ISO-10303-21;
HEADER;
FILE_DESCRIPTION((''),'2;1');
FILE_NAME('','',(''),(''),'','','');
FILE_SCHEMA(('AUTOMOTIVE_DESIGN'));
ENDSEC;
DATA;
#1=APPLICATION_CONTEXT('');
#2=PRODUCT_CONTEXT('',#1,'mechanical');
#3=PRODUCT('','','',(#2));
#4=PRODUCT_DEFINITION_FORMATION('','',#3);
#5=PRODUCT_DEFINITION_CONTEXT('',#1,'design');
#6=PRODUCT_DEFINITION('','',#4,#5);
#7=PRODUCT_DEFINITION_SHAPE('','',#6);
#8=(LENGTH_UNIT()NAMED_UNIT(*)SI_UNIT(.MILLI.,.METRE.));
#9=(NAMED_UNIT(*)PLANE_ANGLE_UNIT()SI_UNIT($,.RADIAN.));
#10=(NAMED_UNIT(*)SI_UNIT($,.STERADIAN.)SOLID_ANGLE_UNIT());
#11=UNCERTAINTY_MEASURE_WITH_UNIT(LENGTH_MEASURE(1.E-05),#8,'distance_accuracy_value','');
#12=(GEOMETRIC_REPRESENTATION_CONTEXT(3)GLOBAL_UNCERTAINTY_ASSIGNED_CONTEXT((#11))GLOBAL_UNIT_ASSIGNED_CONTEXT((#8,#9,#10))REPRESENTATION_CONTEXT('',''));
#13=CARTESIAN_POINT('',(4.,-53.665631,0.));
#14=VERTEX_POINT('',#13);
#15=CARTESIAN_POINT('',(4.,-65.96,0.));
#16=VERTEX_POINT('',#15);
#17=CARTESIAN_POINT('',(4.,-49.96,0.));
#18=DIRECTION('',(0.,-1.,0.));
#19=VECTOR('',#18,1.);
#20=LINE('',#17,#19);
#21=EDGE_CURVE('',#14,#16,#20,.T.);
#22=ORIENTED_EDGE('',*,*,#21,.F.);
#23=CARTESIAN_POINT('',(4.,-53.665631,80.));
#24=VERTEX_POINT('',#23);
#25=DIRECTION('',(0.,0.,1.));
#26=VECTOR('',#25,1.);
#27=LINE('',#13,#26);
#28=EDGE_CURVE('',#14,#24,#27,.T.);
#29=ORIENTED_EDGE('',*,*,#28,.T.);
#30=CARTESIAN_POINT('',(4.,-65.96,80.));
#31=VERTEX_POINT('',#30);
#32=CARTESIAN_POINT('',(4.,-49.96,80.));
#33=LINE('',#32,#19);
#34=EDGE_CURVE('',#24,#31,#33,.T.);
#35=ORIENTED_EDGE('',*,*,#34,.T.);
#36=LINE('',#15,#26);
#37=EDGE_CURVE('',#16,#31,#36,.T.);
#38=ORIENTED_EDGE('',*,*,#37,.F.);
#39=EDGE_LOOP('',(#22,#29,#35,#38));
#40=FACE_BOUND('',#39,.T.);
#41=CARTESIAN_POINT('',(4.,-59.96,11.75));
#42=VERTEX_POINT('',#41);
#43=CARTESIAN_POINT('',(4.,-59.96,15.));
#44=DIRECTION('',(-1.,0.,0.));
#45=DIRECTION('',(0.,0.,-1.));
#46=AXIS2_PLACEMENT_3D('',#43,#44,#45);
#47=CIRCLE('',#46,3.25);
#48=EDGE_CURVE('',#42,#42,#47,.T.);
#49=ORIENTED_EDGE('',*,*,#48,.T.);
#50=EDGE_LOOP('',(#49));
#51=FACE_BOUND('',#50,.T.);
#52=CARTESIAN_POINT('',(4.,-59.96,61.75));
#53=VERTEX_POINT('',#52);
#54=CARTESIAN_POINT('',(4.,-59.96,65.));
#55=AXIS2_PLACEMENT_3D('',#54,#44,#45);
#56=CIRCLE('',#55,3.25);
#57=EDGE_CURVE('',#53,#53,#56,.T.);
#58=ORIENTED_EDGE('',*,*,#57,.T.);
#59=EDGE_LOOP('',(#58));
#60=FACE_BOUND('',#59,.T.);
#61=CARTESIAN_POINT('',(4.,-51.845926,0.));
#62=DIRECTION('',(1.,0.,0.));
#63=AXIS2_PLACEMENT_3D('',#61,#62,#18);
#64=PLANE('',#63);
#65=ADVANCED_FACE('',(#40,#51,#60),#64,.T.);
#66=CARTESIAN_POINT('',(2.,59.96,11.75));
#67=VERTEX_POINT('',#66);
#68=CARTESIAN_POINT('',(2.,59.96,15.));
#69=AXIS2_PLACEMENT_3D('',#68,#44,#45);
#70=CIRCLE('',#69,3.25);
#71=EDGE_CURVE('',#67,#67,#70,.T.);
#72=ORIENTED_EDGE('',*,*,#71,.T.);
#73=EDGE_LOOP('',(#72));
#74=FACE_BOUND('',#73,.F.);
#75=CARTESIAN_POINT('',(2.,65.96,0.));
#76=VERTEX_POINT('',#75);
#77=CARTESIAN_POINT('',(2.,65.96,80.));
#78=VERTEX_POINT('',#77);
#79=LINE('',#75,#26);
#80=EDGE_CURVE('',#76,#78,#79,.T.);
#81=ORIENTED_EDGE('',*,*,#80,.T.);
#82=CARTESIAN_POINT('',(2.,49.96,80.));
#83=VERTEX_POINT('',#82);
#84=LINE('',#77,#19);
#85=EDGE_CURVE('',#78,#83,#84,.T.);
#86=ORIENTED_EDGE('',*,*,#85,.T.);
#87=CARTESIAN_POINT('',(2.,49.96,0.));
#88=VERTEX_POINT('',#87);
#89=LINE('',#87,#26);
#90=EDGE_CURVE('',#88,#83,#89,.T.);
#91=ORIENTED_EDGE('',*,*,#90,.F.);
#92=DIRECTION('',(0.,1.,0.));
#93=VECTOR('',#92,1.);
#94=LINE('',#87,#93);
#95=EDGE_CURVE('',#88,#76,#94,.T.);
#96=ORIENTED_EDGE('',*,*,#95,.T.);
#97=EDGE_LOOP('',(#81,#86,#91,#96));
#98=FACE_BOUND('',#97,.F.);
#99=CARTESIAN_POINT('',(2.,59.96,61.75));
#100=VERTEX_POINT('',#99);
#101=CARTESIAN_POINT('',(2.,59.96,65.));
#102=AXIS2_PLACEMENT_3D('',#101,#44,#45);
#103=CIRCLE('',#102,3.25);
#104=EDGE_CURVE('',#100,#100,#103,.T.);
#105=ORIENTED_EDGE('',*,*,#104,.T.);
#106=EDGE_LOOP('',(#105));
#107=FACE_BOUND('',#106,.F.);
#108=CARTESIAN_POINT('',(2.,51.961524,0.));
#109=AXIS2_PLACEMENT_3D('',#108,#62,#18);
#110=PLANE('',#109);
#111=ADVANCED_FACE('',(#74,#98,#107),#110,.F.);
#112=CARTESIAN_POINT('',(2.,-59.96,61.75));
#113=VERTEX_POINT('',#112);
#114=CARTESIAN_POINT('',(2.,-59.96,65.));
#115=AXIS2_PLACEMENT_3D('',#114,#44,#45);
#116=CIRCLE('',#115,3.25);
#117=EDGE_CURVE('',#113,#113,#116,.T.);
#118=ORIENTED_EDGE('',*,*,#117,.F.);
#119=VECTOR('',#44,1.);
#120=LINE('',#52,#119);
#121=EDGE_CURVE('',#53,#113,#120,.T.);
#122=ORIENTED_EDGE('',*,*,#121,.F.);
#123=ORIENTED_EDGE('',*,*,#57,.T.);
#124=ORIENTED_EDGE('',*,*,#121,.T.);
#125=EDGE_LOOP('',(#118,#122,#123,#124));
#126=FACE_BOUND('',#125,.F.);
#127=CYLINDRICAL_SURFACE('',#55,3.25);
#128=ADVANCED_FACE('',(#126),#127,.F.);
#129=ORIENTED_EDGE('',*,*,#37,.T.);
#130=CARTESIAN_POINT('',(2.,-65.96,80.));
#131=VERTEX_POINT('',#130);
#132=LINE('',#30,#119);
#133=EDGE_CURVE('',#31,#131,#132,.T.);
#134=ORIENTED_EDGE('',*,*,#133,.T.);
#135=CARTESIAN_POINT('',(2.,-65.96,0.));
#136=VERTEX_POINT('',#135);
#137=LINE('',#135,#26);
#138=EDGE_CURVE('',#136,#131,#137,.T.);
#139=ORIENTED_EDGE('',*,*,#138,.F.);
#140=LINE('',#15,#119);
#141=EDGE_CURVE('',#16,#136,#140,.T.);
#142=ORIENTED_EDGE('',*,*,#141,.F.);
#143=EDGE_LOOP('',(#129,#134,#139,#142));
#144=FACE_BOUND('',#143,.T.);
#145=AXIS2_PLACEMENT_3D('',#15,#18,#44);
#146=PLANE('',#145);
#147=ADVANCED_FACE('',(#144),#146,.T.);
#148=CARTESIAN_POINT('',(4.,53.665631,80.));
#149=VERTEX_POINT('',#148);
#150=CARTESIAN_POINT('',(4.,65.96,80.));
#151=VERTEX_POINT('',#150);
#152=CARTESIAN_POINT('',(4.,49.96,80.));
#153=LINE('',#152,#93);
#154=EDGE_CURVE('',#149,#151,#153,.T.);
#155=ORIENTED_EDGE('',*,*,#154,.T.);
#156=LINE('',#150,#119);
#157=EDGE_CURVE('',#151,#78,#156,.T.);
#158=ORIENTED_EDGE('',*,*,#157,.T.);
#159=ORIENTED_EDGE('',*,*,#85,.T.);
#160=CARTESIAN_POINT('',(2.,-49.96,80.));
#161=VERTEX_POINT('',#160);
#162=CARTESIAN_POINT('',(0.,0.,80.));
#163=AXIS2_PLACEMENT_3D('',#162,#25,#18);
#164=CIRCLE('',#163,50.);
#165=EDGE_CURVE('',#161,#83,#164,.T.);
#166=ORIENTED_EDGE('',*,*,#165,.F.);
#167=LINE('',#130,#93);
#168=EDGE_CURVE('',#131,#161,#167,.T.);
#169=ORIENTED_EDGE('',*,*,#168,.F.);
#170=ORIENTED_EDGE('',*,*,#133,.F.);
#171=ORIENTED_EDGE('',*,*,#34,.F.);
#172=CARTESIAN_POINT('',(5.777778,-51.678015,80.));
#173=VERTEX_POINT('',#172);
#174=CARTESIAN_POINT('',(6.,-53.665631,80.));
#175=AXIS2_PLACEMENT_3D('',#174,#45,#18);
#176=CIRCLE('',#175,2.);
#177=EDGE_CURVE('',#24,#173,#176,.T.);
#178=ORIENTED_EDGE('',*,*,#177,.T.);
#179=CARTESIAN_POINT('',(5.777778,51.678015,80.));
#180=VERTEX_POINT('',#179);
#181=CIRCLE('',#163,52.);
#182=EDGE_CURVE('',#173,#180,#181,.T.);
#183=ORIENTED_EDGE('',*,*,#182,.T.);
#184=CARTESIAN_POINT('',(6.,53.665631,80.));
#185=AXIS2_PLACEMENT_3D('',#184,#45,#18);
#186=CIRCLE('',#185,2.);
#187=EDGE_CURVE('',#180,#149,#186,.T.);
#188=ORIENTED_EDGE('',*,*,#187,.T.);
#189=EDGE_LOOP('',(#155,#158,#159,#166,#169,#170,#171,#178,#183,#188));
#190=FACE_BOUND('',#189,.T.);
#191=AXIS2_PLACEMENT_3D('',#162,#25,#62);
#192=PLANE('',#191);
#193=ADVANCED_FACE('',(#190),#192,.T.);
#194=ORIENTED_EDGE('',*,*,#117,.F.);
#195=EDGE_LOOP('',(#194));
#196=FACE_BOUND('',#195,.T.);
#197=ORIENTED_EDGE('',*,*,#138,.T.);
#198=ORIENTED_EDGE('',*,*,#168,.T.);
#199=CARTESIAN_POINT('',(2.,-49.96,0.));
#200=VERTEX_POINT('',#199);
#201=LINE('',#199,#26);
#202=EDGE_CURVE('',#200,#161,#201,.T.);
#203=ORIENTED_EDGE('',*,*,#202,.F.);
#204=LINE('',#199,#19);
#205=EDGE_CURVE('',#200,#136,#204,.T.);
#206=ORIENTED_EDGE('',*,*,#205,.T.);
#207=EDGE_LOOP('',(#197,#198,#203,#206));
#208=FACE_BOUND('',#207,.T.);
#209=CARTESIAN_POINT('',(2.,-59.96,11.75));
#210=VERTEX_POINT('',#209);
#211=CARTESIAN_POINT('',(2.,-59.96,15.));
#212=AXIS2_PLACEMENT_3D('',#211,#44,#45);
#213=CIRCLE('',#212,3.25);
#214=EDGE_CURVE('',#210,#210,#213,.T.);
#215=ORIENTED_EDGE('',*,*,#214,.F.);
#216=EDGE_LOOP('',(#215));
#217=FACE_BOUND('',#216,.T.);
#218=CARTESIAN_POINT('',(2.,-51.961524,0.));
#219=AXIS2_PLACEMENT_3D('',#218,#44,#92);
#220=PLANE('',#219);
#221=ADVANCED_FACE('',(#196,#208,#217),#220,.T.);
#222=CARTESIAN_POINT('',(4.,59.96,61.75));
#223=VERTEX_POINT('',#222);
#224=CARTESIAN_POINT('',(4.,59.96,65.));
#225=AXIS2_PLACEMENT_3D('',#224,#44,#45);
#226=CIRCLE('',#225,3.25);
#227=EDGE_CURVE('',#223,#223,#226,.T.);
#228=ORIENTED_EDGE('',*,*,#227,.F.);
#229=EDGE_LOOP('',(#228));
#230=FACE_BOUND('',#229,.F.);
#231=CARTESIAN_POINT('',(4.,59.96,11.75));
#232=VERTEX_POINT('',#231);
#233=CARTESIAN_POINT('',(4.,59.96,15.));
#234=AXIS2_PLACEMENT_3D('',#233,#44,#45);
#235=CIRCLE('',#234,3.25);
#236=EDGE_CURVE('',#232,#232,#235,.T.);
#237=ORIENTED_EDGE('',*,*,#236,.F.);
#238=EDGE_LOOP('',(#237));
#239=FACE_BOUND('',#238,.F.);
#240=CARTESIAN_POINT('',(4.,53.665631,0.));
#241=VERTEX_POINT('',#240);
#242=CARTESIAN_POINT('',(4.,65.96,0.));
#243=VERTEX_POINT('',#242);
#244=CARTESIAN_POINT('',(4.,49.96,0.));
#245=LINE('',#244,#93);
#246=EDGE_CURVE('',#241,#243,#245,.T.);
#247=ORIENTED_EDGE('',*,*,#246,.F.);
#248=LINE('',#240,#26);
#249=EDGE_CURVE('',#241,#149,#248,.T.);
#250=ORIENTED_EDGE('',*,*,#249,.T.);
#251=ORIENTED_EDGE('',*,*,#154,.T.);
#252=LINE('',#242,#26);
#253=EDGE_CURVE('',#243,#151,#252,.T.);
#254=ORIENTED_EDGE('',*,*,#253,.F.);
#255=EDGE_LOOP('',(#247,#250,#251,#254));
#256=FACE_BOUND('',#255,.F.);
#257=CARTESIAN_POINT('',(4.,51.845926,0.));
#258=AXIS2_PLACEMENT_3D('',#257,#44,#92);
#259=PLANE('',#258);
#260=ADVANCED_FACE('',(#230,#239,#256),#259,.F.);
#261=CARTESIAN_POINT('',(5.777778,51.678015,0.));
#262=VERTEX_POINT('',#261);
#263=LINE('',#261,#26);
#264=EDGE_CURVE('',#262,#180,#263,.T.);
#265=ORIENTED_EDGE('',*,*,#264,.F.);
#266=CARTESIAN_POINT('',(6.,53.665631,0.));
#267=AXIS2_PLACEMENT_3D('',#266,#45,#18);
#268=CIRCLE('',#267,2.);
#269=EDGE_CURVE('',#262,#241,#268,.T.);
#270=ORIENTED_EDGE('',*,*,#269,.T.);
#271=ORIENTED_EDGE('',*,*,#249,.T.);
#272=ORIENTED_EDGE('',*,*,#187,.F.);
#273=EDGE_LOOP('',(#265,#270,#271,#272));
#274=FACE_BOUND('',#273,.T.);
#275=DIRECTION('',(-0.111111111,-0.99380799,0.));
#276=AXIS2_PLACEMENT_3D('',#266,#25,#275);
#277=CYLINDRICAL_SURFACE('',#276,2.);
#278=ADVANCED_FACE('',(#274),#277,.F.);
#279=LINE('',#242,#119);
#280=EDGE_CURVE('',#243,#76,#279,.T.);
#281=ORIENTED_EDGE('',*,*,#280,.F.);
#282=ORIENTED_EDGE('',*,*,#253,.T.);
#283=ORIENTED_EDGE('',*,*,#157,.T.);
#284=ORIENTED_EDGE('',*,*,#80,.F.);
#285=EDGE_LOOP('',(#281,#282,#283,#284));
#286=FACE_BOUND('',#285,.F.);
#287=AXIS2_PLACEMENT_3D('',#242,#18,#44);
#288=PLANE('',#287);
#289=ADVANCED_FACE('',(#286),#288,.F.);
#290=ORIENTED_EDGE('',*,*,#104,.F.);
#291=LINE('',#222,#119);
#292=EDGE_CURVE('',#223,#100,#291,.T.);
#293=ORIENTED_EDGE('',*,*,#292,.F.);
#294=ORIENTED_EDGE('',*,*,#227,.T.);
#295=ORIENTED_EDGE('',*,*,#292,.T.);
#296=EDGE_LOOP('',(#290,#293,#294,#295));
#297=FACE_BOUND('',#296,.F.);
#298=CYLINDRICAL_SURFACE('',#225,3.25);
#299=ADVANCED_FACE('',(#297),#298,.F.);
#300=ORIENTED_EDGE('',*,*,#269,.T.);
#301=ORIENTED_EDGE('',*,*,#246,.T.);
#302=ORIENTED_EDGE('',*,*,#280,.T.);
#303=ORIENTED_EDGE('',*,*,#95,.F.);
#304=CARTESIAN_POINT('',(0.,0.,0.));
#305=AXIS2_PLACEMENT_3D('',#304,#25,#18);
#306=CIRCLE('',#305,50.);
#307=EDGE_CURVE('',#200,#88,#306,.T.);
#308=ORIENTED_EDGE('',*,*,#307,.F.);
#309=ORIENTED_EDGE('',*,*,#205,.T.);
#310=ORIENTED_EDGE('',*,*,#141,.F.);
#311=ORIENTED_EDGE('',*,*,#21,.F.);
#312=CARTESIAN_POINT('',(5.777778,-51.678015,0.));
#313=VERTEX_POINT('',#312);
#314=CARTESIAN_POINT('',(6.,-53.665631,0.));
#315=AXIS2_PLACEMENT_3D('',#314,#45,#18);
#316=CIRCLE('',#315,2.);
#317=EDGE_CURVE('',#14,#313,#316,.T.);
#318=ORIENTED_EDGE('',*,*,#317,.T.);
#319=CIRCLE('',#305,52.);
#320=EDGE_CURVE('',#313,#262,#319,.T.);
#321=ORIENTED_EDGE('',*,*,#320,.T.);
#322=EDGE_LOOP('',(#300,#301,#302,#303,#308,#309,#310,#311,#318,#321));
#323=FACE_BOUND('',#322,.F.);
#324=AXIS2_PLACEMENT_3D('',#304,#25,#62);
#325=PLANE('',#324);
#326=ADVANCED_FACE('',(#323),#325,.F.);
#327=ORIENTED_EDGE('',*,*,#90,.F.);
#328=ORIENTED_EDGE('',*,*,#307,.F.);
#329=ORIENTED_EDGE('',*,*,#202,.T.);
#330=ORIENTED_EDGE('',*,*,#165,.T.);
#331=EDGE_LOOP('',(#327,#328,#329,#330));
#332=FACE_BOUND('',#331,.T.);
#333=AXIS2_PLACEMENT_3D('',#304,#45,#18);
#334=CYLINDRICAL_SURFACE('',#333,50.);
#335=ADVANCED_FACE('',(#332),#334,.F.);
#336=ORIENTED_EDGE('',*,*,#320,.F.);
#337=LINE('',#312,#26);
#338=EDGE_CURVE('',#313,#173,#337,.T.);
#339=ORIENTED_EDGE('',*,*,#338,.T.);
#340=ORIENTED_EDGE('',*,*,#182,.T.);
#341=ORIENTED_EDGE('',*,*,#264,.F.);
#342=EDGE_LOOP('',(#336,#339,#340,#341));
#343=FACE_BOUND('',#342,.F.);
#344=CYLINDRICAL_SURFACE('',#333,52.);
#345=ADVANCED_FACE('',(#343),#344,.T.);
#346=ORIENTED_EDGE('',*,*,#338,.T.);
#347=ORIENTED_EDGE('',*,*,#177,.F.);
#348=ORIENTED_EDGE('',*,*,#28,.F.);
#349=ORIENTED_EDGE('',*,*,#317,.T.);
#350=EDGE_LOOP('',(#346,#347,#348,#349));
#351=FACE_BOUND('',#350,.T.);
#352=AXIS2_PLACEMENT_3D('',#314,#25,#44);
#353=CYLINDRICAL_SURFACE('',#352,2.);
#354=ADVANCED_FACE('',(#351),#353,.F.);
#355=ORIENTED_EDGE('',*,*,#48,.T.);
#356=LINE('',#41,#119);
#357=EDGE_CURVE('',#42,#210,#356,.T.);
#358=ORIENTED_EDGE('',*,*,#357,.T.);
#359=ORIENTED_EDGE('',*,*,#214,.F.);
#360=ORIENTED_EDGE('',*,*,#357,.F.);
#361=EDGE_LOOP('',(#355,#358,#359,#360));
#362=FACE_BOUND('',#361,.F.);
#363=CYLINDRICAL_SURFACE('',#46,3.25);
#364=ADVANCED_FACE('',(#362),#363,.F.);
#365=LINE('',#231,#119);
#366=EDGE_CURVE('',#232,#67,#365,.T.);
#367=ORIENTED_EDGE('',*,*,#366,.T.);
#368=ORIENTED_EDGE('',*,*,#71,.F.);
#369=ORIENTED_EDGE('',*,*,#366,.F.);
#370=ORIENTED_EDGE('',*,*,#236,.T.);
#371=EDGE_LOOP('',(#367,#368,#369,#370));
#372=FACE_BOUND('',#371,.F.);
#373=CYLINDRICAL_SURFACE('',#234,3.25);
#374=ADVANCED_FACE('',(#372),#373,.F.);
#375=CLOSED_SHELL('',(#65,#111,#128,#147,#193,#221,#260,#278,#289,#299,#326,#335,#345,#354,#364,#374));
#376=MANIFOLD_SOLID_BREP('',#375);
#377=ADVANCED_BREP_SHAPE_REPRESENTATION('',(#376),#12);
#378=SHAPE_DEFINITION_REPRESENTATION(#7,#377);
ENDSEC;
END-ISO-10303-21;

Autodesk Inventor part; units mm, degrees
ref_plane "YZ Plane" through (0, 0, 0) normal (1, 0, 0) x (0, 1, 0)
ref_plane "XZ Plane" through (0, 0, 0) normal (0, 1, 0) x (-1, 0, 0)
ref_plane "XY Plane" through (0, 0, 0) normal (0, 0, 1) x (1, 0, 0)
sketch "Sketch2" plane through (0, 0, 0) normal (0, 0, 1) x (1, 0, 0)
  arc A0 (0, -52) -> (0, 52) centre (0, 0) ccw
  arc A1 (0, -50) -> (0, 50) centre (0, 0) ccw
  line L0 (0, 52) -> (0, 50)
  line L1 (0, -50) -> (0, -52)
  line L2 (2, 49.96) -> (4, 49.96)
  line L3 (4, 49.96) -> (4, 65.96)
  line L4 (4, 65.96) -> (2, 65.96)
  line L5 (2, 65.96) -> (2, 49.96)
  line L6 (2, -49.96) -> (4, -49.96)
  line L7 (4, -49.96) -> (4, -65.96)
  line L8 (4, -65.96) -> (2, -65.96)
  line L9 (2, -65.96) -> (2, -49.96)
  line L10 (0, 92.344) -> (0, -92.344) construction
  point P0 (4, -51.8459)
  point P1 (4, 51.8459)
  dimension "d0" = 104
  dimension "d1" = 100
  dimension "d2" = 2
  dimension "d40" = 2
  dimension "d41" = 2
  dimension "d42" = 16
  dimension "d43" = 16
  dimension "d44" = 2
  dimension "d45" = 2
extrude "Extrusion1" add sketch "Sketch2" along normal blind 80 contours L9 L6 L7 A0 | A0 L7 L8 L9 | L7 L6 A1 L2 L3 A0 | L3 L2 L5 A0 | A0 L5 L4 L3
fillet "Fillet4" radius 2 2 edges at (4, 51.8459, 40) (4, -51.8459, 40)
sketch "Sketch6" plane through (4, -65.96, 80) normal (1, 0, 0) x (0, 0, -1)
  line L0 (80, 16) -> (80, 0) construction
  line L1 (80, 0) -> (0, 0) construction
  line L2 (0, 16) -> (0, 0) construction
  line L3 (80, 16) -> (0, 16) construction
  line L4 (80, 131.92) -> (80, 115.92) construction
  line L5 (80, 115.92) -> (0, 115.92) construction
  line L6 (0, 131.92) -> (0, 115.92) construction
  line L7 (80, 131.92) -> (0, 131.92) construction
  point P0 (80, 65.96)
  point P1 (15, 6)
  point P2 (65, 6)
  point P3 (65, 125.92)
  point P4 (15, 125.92)
  dimension "d47" = 15
  dimension "d48" = 15
  dimension "d49" = 15
  dimension "d50" = 15
  dimension "d51" = 6
  dimension "d52" = 6
  dimension "d53" = 6
  dimension "d54" = 6
hole "Hole3" at (4, -59.96, 65) at (4, -59.96, 15) at (4, 59.96, 15) at (4, 59.96, 65) direction (-1, 0, 0) diameter 6.5 depth 2
properties part number "P050_SupportTube2"
